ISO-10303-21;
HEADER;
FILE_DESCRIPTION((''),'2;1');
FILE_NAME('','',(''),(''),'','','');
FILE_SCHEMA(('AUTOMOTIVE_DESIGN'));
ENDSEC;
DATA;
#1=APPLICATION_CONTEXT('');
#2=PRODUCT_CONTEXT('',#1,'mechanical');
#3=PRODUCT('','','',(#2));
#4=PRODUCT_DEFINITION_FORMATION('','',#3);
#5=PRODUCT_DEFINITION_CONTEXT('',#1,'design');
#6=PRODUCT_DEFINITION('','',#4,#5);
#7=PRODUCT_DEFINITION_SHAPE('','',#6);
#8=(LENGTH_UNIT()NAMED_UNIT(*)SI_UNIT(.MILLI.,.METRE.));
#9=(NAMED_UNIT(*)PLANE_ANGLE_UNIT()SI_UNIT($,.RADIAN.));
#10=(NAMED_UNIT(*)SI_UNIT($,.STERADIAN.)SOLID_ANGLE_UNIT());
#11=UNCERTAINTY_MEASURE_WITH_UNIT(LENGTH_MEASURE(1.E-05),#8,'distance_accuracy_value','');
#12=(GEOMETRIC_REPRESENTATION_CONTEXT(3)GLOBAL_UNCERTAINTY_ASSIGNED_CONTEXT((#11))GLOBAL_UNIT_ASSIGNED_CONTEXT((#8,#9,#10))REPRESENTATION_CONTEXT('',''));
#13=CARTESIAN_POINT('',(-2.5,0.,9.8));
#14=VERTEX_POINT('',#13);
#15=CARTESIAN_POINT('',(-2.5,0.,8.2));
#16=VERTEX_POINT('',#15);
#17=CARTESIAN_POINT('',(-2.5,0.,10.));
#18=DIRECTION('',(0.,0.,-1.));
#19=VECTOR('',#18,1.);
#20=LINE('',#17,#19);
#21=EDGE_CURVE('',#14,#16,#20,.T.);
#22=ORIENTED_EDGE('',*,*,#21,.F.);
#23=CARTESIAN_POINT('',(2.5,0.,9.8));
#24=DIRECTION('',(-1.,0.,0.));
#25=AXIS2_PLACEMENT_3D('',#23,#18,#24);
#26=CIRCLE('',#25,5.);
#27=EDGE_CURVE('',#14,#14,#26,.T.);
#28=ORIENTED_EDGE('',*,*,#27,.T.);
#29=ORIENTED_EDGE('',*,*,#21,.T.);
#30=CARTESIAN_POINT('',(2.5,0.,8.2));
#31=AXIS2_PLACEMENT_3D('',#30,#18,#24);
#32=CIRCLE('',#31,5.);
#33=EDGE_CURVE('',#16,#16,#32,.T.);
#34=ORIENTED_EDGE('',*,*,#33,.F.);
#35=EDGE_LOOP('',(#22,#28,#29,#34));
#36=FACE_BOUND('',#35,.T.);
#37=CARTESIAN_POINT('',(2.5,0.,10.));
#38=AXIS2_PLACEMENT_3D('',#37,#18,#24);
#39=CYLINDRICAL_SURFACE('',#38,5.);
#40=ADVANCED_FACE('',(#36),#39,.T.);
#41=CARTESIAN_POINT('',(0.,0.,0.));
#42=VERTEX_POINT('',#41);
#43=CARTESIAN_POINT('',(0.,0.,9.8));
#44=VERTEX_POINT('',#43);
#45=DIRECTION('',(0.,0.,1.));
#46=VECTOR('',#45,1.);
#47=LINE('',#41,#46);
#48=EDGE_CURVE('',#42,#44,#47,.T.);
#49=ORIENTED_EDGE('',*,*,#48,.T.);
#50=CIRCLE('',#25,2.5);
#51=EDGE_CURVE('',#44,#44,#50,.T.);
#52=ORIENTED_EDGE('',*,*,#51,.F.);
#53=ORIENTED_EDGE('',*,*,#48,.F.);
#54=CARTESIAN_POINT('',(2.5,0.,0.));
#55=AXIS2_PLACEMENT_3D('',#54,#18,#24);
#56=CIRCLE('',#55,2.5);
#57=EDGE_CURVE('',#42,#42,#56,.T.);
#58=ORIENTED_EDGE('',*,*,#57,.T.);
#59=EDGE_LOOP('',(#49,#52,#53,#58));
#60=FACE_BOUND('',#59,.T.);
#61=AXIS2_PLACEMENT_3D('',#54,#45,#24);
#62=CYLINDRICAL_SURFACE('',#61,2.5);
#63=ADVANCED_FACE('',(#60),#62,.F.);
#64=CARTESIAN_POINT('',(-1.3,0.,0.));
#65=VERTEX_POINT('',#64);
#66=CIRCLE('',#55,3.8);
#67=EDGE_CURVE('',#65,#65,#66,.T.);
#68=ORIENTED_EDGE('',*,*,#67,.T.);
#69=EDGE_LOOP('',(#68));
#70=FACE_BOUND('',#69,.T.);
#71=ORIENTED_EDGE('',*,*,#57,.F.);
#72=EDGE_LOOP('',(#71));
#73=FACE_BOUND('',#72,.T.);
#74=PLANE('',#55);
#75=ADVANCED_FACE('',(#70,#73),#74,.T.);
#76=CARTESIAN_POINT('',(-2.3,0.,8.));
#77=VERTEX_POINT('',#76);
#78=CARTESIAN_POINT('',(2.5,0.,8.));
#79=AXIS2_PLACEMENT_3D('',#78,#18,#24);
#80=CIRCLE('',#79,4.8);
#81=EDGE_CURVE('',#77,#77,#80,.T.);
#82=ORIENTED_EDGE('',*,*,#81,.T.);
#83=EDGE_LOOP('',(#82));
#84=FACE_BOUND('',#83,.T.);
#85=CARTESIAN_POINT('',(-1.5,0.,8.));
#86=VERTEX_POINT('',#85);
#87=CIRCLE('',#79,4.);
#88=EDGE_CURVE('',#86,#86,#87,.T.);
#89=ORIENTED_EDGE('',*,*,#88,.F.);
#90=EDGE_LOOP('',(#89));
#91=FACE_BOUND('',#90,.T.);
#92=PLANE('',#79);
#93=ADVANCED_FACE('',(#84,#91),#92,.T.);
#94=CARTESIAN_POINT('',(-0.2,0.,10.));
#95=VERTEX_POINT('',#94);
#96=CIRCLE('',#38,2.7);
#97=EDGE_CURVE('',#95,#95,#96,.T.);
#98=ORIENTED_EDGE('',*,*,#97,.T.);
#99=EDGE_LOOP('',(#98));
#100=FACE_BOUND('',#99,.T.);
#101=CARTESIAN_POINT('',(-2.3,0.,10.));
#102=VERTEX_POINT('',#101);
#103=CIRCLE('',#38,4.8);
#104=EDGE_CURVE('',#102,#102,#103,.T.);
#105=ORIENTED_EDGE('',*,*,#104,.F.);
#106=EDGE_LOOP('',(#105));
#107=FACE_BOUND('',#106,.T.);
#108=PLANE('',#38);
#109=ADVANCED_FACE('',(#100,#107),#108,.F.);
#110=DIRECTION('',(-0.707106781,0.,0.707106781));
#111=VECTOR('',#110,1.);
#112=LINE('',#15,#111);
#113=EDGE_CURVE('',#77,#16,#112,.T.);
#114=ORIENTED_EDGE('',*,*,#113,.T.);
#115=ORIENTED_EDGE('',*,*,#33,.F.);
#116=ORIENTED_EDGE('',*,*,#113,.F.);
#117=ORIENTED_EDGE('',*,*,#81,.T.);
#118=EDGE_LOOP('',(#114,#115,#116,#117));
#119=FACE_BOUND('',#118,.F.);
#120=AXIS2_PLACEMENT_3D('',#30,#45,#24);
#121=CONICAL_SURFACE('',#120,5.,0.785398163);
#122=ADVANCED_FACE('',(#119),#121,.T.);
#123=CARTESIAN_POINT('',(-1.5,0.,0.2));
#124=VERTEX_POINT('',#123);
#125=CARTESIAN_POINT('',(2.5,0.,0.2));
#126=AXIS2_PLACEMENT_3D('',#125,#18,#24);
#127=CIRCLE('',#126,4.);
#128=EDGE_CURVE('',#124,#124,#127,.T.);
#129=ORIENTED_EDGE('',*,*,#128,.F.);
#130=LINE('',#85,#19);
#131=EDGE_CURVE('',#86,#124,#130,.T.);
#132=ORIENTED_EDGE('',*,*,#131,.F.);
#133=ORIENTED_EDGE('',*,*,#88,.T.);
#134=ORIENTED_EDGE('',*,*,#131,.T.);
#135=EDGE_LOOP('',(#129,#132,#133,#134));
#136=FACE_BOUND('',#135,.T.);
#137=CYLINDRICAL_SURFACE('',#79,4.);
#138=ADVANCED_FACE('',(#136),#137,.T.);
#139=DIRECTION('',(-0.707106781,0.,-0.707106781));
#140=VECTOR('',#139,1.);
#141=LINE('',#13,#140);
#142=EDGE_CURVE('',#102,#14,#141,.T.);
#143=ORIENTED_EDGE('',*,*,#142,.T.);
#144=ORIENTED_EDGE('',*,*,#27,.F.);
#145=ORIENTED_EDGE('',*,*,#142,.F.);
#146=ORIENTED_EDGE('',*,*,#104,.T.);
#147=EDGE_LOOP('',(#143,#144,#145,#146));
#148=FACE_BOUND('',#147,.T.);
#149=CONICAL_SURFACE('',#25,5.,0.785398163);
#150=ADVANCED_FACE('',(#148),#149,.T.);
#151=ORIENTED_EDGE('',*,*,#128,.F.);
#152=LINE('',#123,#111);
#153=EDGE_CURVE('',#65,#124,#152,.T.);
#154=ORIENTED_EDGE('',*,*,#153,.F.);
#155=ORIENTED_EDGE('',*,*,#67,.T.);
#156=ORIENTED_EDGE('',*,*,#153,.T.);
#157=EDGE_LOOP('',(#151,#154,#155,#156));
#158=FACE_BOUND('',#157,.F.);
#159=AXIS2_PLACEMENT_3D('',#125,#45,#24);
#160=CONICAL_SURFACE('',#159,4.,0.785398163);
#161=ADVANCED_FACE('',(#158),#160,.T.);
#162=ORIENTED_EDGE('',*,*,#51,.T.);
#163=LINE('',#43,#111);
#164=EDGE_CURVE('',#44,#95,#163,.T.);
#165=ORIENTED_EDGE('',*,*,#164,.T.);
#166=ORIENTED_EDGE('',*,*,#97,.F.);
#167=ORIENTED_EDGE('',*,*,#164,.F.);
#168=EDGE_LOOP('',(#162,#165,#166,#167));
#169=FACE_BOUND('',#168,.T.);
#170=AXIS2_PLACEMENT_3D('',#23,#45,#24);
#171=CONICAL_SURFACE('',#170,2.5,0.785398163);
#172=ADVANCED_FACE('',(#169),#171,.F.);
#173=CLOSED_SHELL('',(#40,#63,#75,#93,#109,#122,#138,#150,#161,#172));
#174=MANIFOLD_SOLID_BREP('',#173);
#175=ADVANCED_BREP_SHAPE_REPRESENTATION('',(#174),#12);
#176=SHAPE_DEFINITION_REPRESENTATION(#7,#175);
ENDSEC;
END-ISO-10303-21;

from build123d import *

# Parameters (mm, degrees)
F2_SIZE = 0.2
F3_SIZE = 0.2


with BuildPart() as f1:
    # F0 (on Front) → F1 (revolve)
    with BuildSketch(Plane.XZ):
        Polygon((0, 0), (0, 10), (-2.5, 10), (-2.5, 8), (-1.5, 8), (-1.5, 0), align=None)
    revolve(axis=Axis((2.5, 0, 4.0499057987), (0, 0, -1)))

    # F2
    f2_edges = [f1.edges().sort_by_distance(p)[0] for p in [
        (5, 0, 10),
        (7.5, 0, 10),
    ]]
    chamfer(f2_edges, length=F2_SIZE)

    # F3
    f3_edges = [f1.edges().sort_by_distance(p)[0] for p in [
        (7.5, 0, 8),
        (6.5, 0, 0),
    ]]
    chamfer(f3_edges, length=F3_SIZE)


solid = f1.part
